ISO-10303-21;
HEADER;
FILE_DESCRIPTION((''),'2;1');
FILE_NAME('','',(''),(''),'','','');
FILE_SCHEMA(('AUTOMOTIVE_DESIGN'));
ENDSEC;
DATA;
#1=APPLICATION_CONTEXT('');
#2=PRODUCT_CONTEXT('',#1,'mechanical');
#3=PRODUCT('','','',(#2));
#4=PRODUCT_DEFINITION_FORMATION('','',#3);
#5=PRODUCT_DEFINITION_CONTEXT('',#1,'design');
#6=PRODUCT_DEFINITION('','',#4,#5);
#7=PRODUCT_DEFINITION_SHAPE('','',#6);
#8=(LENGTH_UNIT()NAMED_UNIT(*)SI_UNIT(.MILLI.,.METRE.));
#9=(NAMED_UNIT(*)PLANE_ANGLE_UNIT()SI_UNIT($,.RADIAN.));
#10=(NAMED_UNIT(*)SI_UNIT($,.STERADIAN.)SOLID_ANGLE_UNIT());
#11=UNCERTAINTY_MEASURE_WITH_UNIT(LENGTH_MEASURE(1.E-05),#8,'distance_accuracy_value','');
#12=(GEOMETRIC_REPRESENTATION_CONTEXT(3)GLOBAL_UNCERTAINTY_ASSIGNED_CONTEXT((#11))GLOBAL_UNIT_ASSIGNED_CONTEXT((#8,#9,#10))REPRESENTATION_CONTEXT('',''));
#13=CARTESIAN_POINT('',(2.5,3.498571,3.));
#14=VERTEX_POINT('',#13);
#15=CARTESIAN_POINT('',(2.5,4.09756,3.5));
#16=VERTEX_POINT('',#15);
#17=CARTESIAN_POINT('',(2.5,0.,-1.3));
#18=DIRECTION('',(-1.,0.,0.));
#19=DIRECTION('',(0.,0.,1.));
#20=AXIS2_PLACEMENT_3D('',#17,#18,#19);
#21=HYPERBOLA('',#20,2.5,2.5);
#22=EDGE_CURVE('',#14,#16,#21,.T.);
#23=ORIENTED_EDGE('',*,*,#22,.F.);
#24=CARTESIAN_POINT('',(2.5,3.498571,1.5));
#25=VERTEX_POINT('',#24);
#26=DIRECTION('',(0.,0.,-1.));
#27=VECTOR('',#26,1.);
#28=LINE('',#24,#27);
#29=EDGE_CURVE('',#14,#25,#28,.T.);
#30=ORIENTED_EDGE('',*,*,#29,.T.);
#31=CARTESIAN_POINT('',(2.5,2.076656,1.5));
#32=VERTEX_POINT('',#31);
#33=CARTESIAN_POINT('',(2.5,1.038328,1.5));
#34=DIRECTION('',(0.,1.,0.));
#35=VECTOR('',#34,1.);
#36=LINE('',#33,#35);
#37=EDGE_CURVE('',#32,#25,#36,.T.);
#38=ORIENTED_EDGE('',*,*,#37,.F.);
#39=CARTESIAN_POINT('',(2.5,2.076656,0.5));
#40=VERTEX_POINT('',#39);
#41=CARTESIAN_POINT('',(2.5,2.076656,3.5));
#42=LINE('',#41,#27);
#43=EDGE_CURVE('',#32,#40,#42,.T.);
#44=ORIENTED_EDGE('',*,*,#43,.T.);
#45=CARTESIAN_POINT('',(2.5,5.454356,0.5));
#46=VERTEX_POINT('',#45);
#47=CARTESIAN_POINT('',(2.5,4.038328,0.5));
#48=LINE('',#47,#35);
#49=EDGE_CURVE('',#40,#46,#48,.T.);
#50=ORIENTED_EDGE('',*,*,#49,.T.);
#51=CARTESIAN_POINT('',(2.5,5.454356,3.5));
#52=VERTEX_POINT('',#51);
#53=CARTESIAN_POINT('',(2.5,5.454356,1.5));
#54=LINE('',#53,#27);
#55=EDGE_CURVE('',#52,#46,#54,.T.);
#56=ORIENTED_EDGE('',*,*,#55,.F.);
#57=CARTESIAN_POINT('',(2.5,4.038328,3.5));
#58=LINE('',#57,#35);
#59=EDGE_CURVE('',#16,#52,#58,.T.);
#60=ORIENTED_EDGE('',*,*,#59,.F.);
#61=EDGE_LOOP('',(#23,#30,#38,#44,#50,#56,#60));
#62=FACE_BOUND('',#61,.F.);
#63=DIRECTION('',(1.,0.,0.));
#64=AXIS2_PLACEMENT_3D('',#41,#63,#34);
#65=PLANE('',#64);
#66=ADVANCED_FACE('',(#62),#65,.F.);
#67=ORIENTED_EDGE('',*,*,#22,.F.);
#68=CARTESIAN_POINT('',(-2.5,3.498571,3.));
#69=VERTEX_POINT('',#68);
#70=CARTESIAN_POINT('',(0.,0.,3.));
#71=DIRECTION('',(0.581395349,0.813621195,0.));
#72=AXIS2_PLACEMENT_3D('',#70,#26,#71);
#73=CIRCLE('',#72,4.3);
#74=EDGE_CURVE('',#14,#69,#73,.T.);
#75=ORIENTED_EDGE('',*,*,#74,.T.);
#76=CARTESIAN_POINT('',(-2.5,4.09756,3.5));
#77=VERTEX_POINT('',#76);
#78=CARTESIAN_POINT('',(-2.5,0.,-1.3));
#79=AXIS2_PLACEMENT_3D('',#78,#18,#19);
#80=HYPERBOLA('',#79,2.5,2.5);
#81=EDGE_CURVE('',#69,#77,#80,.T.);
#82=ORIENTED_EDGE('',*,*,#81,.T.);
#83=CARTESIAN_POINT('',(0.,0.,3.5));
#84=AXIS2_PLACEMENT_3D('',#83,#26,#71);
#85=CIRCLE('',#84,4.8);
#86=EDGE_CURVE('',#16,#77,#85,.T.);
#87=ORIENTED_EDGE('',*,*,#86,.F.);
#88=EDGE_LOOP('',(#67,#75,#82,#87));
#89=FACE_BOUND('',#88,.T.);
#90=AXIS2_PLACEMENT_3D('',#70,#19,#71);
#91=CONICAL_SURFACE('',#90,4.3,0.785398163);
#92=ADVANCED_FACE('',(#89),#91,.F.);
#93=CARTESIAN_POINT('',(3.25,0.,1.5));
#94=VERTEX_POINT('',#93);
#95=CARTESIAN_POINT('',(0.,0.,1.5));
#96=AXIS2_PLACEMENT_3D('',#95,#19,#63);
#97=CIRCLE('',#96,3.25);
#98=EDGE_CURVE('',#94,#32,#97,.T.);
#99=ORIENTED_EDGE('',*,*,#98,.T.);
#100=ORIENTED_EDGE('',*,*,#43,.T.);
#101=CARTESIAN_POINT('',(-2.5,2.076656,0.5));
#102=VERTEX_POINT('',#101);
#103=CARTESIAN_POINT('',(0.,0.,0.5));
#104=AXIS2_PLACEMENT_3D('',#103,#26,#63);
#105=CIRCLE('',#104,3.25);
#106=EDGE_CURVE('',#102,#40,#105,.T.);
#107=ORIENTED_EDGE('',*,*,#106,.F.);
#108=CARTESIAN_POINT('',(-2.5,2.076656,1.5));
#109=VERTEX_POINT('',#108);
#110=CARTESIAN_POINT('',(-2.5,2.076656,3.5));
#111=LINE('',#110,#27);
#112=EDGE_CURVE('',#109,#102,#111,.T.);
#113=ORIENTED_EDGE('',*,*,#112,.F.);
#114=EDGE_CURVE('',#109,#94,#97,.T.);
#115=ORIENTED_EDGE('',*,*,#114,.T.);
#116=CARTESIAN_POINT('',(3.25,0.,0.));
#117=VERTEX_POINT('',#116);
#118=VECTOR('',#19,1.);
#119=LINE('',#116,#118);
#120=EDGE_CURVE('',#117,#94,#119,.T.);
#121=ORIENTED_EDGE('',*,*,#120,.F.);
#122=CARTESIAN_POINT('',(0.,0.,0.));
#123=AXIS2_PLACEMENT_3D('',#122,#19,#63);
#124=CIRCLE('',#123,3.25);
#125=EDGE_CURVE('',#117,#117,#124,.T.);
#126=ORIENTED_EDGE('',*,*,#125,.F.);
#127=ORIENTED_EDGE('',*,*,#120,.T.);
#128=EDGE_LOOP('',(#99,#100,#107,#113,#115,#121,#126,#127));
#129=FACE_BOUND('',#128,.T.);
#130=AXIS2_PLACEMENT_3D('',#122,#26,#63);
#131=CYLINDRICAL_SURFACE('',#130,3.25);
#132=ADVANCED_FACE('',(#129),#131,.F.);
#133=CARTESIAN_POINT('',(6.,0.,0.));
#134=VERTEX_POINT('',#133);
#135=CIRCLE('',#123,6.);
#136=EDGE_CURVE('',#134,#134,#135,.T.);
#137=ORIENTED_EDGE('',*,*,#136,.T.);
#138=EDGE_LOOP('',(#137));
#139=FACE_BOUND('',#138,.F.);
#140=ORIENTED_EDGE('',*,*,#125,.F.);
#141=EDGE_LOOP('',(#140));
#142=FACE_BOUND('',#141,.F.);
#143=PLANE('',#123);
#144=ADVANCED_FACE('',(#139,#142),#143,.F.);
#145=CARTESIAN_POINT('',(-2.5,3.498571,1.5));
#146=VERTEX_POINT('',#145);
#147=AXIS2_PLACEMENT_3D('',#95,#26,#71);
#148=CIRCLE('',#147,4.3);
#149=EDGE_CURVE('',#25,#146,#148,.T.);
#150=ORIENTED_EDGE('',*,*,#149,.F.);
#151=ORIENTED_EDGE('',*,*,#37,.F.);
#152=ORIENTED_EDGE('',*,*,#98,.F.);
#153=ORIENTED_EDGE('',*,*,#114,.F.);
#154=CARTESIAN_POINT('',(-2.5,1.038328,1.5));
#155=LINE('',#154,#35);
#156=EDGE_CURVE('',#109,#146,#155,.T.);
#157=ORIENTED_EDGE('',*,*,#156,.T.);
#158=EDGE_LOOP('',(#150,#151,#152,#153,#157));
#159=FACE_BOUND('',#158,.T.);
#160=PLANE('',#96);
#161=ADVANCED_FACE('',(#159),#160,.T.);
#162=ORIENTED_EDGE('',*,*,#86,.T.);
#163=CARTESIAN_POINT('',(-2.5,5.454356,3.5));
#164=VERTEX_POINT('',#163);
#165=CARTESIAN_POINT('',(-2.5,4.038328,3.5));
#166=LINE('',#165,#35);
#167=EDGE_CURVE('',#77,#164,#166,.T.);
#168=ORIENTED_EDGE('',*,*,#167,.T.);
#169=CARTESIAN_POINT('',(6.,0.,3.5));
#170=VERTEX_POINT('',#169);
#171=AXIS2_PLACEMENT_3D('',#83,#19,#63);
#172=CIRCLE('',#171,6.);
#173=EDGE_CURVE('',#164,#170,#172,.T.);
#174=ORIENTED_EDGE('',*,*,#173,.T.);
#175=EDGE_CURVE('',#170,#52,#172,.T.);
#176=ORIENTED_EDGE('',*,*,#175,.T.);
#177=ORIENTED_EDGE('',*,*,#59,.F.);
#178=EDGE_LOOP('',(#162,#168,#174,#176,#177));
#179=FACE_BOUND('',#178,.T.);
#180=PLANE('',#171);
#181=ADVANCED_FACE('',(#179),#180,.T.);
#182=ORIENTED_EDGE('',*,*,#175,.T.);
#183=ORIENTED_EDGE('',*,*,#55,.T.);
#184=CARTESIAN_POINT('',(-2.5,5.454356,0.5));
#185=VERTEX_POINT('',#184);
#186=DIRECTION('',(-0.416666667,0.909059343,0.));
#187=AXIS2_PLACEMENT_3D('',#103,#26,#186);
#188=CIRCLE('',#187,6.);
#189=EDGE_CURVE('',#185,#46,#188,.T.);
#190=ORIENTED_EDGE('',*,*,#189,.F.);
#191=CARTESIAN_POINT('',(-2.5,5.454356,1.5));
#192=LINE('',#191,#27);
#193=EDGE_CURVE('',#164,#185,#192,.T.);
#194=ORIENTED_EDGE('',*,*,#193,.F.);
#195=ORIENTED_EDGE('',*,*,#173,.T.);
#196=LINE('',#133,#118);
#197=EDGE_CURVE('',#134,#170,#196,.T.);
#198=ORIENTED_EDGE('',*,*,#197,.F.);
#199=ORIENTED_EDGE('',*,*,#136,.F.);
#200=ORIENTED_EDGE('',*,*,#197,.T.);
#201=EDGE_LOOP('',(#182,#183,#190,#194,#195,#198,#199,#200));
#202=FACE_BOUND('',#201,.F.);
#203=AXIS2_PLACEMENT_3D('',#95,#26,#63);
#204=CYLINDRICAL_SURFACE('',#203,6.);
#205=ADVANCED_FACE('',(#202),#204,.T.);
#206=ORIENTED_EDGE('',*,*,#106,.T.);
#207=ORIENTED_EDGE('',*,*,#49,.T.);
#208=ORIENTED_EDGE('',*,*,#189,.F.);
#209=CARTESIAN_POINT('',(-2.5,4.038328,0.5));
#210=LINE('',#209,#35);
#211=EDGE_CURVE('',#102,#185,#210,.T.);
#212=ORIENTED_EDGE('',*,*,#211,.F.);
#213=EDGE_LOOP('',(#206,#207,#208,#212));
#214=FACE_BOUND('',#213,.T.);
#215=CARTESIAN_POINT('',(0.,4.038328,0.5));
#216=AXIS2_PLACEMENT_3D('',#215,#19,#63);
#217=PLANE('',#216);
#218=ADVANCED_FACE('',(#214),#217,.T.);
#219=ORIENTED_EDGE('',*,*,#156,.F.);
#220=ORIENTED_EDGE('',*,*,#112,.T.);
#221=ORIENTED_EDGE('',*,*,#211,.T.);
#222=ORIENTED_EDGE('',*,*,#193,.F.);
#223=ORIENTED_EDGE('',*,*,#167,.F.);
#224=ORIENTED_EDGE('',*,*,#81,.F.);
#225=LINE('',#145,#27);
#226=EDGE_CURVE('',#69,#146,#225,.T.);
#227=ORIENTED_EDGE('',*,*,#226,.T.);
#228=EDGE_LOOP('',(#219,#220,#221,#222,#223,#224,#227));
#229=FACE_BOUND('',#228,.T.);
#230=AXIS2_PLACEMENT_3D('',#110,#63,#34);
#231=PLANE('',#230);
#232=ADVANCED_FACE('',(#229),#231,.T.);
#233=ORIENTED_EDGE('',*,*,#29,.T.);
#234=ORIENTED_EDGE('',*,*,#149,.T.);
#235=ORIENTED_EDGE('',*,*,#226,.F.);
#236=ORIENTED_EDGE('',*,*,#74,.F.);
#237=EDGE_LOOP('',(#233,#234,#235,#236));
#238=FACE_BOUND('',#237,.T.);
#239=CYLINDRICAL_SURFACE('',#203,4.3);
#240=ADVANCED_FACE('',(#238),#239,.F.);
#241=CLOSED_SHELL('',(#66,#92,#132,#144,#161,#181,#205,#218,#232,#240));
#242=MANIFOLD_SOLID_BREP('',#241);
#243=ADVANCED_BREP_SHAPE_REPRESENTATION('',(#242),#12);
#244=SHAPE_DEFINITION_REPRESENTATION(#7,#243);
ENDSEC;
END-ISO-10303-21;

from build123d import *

# Parameters (mm, degrees)
F0_R     = 6
F0_R_2   = 3.25
F1_DEPTH = 1.5
F2_R     = 6
F2_R_2   = 4.3
F3_DEPTH = 2
F4_W     = 5
F4_H     = 3.923344
F5_DEPTH = 3
F6_SIZE  = 0.5


with BuildPart() as f1:
    # F0 (on Top) → F1 (new body)
    with BuildSketch(Plane.XY):
        Circle(F0_R)
        Circle(F0_R_2, mode=Mode.SUBTRACT)
    extrude(amount=F1_DEPTH)

    # F2 (on face) → F3 (join)
    with BuildSketch(Plane.XY.offset(1.5)):
        Circle(F2_R)
        Circle(F2_R_2, mode=Mode.SUBTRACT)
    extrude(amount=F3_DEPTH)

    # F4 (on face) → F5 (cut)
    with BuildSketch(Plane.XY.offset(3.5)):
        with Locations((0, 4.038328)):
            Rectangle(F4_W, F4_H)
    extrude(amount=-F5_DEPTH, mode=Mode.SUBTRACT)

    # F6
    f6_edges = [f1.edges().sort_by_distance(p)[0] for p in [
        (0, -4.3, 3.5),
    ]]
    chamfer(f6_edges, length=F6_SIZE)


solid = f1.part
